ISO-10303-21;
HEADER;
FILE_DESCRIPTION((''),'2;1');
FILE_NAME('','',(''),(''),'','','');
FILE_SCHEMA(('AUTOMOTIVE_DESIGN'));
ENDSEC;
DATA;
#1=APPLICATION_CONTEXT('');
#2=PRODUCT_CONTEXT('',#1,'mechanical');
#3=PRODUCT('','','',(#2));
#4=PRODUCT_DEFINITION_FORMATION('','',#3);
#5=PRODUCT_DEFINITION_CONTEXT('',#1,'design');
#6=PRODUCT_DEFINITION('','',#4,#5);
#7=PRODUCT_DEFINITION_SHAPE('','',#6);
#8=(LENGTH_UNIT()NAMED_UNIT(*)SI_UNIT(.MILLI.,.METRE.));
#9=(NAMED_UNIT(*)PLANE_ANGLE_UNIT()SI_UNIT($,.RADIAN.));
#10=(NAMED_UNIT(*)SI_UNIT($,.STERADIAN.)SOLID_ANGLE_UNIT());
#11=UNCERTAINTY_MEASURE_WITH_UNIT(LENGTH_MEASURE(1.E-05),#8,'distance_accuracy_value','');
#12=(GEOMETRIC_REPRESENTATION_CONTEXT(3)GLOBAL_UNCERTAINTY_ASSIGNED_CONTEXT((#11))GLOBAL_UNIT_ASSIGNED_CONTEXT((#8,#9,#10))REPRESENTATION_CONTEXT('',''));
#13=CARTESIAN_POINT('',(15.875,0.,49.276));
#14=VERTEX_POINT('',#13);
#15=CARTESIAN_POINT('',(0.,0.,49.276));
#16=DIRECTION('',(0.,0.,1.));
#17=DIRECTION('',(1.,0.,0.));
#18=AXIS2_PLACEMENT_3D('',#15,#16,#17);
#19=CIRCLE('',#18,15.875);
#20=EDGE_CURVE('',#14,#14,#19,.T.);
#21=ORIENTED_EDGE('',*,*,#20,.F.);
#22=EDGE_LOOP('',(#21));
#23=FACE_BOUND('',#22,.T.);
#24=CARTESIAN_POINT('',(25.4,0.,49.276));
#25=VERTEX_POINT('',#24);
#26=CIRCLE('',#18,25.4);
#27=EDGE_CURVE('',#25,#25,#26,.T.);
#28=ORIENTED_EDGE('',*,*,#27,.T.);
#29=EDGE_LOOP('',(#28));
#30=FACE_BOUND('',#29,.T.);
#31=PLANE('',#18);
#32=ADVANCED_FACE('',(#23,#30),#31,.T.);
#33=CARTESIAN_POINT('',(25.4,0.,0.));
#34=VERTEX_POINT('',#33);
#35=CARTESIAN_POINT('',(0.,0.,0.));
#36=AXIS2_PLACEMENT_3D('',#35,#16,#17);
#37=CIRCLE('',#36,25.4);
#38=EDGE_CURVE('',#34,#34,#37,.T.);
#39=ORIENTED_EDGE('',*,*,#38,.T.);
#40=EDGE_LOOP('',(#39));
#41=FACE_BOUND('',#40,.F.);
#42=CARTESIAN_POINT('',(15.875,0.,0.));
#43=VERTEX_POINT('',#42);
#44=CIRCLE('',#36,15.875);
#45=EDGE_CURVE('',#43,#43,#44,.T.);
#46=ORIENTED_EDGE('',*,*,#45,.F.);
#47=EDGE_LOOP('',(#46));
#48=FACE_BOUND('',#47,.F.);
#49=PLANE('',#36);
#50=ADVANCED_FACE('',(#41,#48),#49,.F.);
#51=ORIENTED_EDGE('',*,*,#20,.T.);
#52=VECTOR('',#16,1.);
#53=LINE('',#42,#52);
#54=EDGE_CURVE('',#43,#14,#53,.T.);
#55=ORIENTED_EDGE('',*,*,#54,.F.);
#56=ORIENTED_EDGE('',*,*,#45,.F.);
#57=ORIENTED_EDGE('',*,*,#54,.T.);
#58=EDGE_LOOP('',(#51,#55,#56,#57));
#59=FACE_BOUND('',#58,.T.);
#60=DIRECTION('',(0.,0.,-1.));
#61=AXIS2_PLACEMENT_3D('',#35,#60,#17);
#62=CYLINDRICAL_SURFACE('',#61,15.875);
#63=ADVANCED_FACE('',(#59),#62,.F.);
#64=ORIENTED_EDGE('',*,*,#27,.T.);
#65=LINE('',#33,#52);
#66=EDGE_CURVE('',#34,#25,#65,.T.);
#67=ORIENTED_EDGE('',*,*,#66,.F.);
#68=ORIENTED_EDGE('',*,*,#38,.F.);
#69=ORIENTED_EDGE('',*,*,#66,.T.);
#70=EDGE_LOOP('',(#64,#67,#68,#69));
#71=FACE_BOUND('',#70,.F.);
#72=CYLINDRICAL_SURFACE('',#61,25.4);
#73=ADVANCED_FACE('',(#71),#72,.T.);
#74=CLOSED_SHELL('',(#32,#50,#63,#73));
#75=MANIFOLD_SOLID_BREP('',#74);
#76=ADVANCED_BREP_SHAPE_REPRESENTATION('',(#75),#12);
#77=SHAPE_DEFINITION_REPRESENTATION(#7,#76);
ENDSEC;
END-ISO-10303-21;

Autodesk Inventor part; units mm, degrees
ref_plane "YZ Plane" through (0, 0, 0) normal (1, 0, 0) x (0, 1, 0)
ref_plane "XZ Plane" through (0, 0, 0) normal (0, 1, 0) x (-1, 0, 0)
ref_plane "XY Plane" through (0, 0, 0) normal (0, 0, 1) x (1, 0, 0)
sketch "Sketch1" plane through (0, 0, 0) normal (0, 0, 1) x (1, 0, 0)
  circle A0 centre (0, 0) radius 25.4
  circle A1 centre (0, 0) radius 15.875
  dimension "d0" = 50.8
  dimension "d1" = 31.75
extrude "Extrusion1" add sketch "Sketch1" along normal blind 49.276
properties part number "Neoprene Drive Roller 2 in OD 1.94 in Long (2476K33)" material "Rubber"
